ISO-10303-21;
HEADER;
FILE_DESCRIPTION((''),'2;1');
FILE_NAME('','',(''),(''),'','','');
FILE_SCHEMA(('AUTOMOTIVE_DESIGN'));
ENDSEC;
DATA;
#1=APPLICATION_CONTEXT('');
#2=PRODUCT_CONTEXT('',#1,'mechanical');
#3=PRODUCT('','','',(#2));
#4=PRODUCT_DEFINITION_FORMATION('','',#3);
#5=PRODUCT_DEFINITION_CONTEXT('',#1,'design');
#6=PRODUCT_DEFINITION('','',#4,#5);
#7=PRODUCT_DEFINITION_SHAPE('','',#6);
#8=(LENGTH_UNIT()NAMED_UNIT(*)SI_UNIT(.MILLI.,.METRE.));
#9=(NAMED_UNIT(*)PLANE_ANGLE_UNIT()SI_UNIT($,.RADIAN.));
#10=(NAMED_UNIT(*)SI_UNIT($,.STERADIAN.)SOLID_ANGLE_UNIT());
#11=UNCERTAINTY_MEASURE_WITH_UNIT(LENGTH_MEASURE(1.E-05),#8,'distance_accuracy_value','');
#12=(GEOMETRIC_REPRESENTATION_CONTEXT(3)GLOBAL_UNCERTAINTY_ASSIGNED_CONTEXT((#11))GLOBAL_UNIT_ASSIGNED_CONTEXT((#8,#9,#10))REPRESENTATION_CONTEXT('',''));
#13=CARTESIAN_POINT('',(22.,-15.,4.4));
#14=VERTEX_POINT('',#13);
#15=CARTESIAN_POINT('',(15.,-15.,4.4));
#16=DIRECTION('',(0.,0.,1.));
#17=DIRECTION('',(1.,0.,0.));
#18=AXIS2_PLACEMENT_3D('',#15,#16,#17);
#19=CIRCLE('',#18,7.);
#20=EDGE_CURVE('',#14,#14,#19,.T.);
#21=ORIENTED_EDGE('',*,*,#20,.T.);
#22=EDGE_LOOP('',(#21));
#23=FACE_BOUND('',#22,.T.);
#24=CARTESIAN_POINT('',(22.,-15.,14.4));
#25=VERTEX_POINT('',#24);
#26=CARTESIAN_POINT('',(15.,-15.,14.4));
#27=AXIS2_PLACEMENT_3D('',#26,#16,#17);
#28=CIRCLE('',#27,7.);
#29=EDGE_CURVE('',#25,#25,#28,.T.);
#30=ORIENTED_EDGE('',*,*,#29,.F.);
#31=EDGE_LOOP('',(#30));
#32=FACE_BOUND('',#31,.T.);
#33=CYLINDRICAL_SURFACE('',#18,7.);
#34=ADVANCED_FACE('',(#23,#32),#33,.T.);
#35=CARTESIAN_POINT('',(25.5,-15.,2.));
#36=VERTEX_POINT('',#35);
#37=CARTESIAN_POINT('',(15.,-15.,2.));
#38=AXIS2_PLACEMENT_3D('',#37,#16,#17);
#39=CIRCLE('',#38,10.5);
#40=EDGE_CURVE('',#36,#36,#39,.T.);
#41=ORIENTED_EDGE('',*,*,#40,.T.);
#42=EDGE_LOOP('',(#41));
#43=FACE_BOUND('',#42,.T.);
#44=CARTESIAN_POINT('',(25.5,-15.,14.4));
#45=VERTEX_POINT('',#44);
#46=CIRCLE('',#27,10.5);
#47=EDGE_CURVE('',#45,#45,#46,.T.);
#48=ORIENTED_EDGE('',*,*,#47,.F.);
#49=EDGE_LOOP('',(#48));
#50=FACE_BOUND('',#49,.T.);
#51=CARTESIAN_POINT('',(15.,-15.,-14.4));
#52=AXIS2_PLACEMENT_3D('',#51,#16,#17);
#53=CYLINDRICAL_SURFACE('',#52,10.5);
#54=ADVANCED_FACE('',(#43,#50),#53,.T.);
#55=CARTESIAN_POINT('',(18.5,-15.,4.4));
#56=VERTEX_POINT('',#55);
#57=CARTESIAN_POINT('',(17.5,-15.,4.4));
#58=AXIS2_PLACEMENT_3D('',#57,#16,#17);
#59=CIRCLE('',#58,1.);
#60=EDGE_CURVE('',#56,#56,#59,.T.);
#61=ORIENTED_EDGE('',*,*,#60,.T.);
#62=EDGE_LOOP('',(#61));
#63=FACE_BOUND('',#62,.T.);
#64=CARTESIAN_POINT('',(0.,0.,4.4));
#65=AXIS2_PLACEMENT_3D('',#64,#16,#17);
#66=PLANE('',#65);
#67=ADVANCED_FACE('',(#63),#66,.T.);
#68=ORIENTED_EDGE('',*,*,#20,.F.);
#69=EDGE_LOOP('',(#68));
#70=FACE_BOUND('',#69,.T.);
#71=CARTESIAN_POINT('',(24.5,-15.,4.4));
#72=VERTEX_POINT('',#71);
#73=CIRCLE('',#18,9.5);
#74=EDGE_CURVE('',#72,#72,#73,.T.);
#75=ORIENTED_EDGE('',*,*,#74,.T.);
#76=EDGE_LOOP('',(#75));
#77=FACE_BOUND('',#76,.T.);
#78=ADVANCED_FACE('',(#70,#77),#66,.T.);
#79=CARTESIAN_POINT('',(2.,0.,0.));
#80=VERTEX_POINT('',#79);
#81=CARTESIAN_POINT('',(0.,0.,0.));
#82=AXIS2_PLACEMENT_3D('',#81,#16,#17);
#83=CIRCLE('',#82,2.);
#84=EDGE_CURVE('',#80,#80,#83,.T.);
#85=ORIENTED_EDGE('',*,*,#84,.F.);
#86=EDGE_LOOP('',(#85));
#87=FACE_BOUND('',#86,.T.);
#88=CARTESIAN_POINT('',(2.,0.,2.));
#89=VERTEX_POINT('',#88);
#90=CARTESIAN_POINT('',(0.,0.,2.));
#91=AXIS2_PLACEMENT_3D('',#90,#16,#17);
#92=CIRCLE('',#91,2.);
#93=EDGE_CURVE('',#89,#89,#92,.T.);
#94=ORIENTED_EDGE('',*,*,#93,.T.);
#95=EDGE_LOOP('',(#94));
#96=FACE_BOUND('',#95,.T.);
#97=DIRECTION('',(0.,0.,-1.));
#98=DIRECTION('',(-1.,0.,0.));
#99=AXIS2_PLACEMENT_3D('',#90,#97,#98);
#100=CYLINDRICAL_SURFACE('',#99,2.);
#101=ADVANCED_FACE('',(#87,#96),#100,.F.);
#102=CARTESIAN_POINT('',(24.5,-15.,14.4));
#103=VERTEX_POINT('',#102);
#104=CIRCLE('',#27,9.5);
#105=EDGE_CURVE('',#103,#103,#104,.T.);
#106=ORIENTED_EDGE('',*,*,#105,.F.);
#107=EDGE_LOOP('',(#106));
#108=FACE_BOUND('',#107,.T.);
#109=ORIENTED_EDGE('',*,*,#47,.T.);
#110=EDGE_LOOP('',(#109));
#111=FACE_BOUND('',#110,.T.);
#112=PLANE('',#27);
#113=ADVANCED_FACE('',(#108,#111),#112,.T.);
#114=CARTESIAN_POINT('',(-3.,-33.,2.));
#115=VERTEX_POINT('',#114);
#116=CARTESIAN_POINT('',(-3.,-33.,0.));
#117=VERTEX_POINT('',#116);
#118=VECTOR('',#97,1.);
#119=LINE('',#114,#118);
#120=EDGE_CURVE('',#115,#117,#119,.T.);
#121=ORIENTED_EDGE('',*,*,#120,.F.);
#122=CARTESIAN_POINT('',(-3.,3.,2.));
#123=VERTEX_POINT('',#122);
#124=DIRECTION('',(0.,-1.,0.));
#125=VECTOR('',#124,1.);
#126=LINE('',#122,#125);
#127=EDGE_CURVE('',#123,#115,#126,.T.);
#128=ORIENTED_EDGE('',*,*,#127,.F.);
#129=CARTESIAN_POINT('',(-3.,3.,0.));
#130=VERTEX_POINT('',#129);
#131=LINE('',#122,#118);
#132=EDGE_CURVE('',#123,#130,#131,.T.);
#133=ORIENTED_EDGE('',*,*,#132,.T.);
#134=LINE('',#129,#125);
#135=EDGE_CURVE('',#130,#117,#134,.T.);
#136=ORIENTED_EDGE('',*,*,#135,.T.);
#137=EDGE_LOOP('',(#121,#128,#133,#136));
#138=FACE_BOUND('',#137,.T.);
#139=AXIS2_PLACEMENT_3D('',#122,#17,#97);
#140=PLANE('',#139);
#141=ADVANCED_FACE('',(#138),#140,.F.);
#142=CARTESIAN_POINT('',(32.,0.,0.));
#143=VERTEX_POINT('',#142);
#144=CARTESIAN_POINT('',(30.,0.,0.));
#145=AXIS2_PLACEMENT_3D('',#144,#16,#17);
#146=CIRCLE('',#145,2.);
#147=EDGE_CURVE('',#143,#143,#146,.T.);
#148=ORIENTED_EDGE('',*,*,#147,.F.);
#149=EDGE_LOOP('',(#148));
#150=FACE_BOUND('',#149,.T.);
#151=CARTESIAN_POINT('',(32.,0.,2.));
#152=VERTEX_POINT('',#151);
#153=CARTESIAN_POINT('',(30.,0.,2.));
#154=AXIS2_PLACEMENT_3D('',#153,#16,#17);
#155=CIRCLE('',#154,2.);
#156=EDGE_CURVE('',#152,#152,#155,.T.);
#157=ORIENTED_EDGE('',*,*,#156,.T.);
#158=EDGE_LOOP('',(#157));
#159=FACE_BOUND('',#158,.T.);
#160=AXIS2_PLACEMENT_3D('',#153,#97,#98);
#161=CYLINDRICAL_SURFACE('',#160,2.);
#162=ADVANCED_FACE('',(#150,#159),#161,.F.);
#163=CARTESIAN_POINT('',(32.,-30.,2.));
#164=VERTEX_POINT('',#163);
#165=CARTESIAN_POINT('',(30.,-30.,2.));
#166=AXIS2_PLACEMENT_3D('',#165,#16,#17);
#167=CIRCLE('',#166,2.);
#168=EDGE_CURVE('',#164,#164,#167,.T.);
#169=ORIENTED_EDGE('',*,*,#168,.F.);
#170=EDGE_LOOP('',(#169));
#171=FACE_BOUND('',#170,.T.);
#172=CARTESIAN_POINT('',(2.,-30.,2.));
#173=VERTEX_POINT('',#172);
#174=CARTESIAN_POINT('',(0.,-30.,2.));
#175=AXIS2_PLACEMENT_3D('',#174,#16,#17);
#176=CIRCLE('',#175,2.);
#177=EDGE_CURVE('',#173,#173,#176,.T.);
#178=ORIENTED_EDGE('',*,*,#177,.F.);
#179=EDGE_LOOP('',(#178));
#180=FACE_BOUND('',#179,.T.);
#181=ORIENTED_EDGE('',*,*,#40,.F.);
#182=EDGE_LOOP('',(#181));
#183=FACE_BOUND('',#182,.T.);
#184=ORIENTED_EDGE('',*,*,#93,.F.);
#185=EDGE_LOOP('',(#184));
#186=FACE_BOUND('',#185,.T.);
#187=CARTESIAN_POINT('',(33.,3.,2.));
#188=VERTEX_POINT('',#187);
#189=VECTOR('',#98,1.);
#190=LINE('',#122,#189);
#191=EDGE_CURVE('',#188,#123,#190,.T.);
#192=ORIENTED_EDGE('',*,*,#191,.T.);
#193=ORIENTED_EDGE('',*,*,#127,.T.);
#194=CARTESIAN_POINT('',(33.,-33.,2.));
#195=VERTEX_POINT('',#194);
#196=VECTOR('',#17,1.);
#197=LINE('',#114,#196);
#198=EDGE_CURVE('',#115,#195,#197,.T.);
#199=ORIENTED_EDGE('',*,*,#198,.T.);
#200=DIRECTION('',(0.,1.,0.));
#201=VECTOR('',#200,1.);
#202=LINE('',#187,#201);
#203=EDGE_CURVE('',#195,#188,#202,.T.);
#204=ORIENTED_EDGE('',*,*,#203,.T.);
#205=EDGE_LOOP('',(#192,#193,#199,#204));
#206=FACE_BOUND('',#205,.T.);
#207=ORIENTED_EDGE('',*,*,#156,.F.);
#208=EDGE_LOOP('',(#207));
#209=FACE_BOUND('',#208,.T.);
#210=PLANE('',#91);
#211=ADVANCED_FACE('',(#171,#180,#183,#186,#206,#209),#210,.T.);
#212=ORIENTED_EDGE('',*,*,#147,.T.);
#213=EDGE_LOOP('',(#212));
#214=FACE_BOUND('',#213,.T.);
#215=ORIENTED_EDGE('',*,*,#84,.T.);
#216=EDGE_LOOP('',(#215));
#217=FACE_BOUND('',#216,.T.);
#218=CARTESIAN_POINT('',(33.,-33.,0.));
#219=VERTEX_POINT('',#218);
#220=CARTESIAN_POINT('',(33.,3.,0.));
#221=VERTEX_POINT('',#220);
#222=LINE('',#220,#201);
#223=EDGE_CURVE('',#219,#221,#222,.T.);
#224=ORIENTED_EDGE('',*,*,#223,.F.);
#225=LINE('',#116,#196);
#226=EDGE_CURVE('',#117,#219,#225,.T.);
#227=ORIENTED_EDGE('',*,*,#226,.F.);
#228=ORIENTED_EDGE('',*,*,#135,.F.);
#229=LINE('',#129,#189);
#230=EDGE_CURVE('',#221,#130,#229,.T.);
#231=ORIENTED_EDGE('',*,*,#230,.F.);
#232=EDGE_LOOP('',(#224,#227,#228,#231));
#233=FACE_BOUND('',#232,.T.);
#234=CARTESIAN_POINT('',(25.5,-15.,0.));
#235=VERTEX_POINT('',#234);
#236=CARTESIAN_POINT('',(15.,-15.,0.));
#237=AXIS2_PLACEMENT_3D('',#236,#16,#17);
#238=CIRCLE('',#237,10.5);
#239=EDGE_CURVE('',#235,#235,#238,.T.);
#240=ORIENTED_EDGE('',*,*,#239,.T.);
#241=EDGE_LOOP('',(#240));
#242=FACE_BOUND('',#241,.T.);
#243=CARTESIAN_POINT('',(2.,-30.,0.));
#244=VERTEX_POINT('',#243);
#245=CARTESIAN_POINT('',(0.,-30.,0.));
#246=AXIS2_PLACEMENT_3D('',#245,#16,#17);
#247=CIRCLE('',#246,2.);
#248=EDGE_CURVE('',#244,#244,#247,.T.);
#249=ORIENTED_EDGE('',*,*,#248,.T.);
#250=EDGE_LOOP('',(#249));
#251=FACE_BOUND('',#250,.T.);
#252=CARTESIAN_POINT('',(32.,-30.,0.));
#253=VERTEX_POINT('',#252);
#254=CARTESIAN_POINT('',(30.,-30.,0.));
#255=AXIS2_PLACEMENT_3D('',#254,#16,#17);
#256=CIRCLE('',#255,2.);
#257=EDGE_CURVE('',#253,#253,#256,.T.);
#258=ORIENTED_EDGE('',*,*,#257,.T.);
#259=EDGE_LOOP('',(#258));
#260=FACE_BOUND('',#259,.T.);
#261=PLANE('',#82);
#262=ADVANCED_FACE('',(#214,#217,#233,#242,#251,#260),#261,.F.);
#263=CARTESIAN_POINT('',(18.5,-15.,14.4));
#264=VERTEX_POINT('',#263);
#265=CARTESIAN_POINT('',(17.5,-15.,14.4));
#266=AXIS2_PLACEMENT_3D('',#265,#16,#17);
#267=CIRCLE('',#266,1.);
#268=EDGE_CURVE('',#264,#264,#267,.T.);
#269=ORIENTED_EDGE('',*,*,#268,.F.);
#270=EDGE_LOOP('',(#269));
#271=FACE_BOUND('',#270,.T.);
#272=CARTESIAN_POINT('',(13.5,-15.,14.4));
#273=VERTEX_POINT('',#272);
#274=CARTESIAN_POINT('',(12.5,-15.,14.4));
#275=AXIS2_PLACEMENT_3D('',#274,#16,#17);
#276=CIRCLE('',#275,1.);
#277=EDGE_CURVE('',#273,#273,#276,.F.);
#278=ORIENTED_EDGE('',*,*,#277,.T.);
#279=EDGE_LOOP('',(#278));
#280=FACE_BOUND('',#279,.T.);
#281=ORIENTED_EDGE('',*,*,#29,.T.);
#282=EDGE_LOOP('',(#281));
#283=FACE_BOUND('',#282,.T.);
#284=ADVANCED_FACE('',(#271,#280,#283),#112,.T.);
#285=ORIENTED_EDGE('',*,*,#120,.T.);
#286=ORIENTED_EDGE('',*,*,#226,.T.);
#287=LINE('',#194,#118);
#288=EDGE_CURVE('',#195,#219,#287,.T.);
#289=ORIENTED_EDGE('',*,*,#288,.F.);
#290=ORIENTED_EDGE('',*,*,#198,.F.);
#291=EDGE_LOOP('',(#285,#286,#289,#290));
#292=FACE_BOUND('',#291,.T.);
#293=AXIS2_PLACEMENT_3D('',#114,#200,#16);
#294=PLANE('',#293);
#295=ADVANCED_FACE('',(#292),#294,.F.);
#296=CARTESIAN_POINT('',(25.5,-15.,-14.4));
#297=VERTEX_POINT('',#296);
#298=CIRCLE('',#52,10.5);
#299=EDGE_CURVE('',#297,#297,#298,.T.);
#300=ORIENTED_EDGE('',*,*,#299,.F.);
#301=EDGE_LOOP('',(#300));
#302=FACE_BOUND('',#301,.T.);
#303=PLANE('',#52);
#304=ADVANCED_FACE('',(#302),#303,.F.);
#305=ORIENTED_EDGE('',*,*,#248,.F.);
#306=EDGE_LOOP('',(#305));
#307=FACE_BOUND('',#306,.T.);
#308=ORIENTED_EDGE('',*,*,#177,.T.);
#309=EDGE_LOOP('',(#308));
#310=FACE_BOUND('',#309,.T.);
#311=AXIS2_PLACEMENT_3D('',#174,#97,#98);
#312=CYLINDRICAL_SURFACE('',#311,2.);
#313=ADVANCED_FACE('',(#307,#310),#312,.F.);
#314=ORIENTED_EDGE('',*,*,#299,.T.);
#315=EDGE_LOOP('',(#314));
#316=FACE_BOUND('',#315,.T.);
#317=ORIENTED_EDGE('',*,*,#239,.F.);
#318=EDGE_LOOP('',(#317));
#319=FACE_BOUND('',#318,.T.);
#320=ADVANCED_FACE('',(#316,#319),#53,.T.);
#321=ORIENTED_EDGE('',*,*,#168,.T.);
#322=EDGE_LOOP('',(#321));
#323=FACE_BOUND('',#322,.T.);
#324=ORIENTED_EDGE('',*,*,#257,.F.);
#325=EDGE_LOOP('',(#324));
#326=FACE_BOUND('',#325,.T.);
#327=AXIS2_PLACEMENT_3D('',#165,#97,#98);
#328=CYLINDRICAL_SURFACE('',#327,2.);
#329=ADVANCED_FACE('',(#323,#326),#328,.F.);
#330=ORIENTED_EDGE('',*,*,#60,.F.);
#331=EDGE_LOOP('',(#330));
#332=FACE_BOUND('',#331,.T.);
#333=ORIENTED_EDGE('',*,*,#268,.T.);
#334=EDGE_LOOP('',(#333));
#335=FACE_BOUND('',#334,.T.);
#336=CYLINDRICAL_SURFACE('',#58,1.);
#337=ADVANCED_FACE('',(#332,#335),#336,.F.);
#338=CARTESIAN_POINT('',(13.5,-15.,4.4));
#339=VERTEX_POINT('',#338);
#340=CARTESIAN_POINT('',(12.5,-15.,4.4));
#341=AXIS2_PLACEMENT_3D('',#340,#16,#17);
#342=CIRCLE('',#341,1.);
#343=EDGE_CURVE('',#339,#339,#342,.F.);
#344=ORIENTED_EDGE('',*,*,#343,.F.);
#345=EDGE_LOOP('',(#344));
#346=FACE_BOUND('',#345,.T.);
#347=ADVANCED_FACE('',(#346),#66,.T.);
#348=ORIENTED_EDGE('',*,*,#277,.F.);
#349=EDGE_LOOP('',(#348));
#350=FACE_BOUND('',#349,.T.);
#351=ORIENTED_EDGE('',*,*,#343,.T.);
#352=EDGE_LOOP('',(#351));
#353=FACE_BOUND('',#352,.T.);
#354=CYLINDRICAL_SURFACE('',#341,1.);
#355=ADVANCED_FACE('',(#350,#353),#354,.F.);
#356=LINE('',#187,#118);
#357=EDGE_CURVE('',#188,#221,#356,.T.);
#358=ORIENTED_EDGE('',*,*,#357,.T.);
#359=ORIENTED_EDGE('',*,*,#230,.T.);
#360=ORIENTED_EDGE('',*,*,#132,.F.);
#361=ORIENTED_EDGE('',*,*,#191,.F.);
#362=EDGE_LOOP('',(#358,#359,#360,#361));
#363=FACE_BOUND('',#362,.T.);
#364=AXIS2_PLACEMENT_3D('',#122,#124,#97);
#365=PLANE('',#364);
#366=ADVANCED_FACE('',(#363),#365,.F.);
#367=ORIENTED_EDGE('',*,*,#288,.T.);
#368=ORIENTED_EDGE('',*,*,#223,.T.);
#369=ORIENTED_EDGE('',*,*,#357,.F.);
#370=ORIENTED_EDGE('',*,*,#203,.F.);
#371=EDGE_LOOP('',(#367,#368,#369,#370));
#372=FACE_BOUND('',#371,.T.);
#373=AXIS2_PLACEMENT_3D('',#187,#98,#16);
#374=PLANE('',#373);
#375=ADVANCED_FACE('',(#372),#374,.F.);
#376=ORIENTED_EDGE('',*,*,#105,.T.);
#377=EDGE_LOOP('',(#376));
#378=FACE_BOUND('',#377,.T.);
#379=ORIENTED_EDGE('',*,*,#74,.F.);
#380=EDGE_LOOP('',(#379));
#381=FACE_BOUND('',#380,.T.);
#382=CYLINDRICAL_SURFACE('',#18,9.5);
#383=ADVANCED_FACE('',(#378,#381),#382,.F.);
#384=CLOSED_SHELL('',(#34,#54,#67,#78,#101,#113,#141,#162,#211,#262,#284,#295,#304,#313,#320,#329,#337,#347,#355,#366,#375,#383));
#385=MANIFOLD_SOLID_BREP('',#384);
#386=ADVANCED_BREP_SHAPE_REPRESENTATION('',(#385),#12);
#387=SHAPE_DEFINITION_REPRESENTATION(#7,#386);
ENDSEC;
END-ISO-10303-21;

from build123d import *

# Parameters (mm, degrees)
SKETCH_1_W           = 36
SKETCH_1_H           = 36
SKETCH_1_R           = 2
EXTRUDE_1_DEPTH      = 2
EXTRUDE_2_DEPTH      = 12.4
EXTRUDE_2_DEPTH_BACK = 16.4
SKETCH_2_R           = 10.5
SKETCH_3_R           = 9.5
SKETCH_3_R_2         = 7
SKETCH_3_R_3         = 1
CUT_EXTRUDE_1_DEPTH  = 10


with BuildPart() as part:
    # 草图1 → 凸台-拉伸1 (new body)
    with BuildSketch(Plane.XY):
        with Locations((15, -15)):
            Rectangle(SKETCH_1_W, SKETCH_1_H)
        Circle(SKETCH_1_R, mode=Mode.SUBTRACT)
        with Locations((0, -30)):
            Circle(SKETCH_1_R, mode=Mode.SUBTRACT)
        with Locations((30, -30)):
            Circle(SKETCH_1_R, mode=Mode.SUBTRACT)
        with Locations((30, 0)):
            Circle(SKETCH_1_R, mode=Mode.SUBTRACT)
    extrude(amount=EXTRUDE_1_DEPTH)

    # 草图2 → 凸台-拉伸2 (add, two sides: drawn at the far end of the back side and taken through both)
    with BuildSketch(Plane.XY.offset(2).offset(-EXTRUDE_2_DEPTH_BACK)):
        with Locations((15, -15)):
            Circle(SKETCH_2_R)
    extrude(amount=EXTRUDE_2_DEPTH + EXTRUDE_2_DEPTH_BACK)

    # 草图3 → 切除-拉伸1 (cut)
    # profile 1 of 3: a face of its own
    with BuildSketch(Plane.XY.offset(14.4)):
        with Locations((15, -15)):
            Circle(SKETCH_3_R)
        with Locations((15, -15)):
            Circle(SKETCH_3_R_2, mode=Mode.SUBTRACT)
    # profile 2 of 3: a face of its own
    with BuildSketch(Plane.XY.offset(14.4)):
        with Locations((17.5, -15)):
            Circle(SKETCH_3_R_3)
    # profile 3 of 3: a face of its own
    with BuildSketch(Plane.XY.offset(14.4)):
        with Locations((12.5, -15)):
            Circle(SKETCH_3_R_3)
    extrude(amount=-CUT_EXTRUDE_1_DEPTH, mode=Mode.SUBTRACT)


solid = part.part
